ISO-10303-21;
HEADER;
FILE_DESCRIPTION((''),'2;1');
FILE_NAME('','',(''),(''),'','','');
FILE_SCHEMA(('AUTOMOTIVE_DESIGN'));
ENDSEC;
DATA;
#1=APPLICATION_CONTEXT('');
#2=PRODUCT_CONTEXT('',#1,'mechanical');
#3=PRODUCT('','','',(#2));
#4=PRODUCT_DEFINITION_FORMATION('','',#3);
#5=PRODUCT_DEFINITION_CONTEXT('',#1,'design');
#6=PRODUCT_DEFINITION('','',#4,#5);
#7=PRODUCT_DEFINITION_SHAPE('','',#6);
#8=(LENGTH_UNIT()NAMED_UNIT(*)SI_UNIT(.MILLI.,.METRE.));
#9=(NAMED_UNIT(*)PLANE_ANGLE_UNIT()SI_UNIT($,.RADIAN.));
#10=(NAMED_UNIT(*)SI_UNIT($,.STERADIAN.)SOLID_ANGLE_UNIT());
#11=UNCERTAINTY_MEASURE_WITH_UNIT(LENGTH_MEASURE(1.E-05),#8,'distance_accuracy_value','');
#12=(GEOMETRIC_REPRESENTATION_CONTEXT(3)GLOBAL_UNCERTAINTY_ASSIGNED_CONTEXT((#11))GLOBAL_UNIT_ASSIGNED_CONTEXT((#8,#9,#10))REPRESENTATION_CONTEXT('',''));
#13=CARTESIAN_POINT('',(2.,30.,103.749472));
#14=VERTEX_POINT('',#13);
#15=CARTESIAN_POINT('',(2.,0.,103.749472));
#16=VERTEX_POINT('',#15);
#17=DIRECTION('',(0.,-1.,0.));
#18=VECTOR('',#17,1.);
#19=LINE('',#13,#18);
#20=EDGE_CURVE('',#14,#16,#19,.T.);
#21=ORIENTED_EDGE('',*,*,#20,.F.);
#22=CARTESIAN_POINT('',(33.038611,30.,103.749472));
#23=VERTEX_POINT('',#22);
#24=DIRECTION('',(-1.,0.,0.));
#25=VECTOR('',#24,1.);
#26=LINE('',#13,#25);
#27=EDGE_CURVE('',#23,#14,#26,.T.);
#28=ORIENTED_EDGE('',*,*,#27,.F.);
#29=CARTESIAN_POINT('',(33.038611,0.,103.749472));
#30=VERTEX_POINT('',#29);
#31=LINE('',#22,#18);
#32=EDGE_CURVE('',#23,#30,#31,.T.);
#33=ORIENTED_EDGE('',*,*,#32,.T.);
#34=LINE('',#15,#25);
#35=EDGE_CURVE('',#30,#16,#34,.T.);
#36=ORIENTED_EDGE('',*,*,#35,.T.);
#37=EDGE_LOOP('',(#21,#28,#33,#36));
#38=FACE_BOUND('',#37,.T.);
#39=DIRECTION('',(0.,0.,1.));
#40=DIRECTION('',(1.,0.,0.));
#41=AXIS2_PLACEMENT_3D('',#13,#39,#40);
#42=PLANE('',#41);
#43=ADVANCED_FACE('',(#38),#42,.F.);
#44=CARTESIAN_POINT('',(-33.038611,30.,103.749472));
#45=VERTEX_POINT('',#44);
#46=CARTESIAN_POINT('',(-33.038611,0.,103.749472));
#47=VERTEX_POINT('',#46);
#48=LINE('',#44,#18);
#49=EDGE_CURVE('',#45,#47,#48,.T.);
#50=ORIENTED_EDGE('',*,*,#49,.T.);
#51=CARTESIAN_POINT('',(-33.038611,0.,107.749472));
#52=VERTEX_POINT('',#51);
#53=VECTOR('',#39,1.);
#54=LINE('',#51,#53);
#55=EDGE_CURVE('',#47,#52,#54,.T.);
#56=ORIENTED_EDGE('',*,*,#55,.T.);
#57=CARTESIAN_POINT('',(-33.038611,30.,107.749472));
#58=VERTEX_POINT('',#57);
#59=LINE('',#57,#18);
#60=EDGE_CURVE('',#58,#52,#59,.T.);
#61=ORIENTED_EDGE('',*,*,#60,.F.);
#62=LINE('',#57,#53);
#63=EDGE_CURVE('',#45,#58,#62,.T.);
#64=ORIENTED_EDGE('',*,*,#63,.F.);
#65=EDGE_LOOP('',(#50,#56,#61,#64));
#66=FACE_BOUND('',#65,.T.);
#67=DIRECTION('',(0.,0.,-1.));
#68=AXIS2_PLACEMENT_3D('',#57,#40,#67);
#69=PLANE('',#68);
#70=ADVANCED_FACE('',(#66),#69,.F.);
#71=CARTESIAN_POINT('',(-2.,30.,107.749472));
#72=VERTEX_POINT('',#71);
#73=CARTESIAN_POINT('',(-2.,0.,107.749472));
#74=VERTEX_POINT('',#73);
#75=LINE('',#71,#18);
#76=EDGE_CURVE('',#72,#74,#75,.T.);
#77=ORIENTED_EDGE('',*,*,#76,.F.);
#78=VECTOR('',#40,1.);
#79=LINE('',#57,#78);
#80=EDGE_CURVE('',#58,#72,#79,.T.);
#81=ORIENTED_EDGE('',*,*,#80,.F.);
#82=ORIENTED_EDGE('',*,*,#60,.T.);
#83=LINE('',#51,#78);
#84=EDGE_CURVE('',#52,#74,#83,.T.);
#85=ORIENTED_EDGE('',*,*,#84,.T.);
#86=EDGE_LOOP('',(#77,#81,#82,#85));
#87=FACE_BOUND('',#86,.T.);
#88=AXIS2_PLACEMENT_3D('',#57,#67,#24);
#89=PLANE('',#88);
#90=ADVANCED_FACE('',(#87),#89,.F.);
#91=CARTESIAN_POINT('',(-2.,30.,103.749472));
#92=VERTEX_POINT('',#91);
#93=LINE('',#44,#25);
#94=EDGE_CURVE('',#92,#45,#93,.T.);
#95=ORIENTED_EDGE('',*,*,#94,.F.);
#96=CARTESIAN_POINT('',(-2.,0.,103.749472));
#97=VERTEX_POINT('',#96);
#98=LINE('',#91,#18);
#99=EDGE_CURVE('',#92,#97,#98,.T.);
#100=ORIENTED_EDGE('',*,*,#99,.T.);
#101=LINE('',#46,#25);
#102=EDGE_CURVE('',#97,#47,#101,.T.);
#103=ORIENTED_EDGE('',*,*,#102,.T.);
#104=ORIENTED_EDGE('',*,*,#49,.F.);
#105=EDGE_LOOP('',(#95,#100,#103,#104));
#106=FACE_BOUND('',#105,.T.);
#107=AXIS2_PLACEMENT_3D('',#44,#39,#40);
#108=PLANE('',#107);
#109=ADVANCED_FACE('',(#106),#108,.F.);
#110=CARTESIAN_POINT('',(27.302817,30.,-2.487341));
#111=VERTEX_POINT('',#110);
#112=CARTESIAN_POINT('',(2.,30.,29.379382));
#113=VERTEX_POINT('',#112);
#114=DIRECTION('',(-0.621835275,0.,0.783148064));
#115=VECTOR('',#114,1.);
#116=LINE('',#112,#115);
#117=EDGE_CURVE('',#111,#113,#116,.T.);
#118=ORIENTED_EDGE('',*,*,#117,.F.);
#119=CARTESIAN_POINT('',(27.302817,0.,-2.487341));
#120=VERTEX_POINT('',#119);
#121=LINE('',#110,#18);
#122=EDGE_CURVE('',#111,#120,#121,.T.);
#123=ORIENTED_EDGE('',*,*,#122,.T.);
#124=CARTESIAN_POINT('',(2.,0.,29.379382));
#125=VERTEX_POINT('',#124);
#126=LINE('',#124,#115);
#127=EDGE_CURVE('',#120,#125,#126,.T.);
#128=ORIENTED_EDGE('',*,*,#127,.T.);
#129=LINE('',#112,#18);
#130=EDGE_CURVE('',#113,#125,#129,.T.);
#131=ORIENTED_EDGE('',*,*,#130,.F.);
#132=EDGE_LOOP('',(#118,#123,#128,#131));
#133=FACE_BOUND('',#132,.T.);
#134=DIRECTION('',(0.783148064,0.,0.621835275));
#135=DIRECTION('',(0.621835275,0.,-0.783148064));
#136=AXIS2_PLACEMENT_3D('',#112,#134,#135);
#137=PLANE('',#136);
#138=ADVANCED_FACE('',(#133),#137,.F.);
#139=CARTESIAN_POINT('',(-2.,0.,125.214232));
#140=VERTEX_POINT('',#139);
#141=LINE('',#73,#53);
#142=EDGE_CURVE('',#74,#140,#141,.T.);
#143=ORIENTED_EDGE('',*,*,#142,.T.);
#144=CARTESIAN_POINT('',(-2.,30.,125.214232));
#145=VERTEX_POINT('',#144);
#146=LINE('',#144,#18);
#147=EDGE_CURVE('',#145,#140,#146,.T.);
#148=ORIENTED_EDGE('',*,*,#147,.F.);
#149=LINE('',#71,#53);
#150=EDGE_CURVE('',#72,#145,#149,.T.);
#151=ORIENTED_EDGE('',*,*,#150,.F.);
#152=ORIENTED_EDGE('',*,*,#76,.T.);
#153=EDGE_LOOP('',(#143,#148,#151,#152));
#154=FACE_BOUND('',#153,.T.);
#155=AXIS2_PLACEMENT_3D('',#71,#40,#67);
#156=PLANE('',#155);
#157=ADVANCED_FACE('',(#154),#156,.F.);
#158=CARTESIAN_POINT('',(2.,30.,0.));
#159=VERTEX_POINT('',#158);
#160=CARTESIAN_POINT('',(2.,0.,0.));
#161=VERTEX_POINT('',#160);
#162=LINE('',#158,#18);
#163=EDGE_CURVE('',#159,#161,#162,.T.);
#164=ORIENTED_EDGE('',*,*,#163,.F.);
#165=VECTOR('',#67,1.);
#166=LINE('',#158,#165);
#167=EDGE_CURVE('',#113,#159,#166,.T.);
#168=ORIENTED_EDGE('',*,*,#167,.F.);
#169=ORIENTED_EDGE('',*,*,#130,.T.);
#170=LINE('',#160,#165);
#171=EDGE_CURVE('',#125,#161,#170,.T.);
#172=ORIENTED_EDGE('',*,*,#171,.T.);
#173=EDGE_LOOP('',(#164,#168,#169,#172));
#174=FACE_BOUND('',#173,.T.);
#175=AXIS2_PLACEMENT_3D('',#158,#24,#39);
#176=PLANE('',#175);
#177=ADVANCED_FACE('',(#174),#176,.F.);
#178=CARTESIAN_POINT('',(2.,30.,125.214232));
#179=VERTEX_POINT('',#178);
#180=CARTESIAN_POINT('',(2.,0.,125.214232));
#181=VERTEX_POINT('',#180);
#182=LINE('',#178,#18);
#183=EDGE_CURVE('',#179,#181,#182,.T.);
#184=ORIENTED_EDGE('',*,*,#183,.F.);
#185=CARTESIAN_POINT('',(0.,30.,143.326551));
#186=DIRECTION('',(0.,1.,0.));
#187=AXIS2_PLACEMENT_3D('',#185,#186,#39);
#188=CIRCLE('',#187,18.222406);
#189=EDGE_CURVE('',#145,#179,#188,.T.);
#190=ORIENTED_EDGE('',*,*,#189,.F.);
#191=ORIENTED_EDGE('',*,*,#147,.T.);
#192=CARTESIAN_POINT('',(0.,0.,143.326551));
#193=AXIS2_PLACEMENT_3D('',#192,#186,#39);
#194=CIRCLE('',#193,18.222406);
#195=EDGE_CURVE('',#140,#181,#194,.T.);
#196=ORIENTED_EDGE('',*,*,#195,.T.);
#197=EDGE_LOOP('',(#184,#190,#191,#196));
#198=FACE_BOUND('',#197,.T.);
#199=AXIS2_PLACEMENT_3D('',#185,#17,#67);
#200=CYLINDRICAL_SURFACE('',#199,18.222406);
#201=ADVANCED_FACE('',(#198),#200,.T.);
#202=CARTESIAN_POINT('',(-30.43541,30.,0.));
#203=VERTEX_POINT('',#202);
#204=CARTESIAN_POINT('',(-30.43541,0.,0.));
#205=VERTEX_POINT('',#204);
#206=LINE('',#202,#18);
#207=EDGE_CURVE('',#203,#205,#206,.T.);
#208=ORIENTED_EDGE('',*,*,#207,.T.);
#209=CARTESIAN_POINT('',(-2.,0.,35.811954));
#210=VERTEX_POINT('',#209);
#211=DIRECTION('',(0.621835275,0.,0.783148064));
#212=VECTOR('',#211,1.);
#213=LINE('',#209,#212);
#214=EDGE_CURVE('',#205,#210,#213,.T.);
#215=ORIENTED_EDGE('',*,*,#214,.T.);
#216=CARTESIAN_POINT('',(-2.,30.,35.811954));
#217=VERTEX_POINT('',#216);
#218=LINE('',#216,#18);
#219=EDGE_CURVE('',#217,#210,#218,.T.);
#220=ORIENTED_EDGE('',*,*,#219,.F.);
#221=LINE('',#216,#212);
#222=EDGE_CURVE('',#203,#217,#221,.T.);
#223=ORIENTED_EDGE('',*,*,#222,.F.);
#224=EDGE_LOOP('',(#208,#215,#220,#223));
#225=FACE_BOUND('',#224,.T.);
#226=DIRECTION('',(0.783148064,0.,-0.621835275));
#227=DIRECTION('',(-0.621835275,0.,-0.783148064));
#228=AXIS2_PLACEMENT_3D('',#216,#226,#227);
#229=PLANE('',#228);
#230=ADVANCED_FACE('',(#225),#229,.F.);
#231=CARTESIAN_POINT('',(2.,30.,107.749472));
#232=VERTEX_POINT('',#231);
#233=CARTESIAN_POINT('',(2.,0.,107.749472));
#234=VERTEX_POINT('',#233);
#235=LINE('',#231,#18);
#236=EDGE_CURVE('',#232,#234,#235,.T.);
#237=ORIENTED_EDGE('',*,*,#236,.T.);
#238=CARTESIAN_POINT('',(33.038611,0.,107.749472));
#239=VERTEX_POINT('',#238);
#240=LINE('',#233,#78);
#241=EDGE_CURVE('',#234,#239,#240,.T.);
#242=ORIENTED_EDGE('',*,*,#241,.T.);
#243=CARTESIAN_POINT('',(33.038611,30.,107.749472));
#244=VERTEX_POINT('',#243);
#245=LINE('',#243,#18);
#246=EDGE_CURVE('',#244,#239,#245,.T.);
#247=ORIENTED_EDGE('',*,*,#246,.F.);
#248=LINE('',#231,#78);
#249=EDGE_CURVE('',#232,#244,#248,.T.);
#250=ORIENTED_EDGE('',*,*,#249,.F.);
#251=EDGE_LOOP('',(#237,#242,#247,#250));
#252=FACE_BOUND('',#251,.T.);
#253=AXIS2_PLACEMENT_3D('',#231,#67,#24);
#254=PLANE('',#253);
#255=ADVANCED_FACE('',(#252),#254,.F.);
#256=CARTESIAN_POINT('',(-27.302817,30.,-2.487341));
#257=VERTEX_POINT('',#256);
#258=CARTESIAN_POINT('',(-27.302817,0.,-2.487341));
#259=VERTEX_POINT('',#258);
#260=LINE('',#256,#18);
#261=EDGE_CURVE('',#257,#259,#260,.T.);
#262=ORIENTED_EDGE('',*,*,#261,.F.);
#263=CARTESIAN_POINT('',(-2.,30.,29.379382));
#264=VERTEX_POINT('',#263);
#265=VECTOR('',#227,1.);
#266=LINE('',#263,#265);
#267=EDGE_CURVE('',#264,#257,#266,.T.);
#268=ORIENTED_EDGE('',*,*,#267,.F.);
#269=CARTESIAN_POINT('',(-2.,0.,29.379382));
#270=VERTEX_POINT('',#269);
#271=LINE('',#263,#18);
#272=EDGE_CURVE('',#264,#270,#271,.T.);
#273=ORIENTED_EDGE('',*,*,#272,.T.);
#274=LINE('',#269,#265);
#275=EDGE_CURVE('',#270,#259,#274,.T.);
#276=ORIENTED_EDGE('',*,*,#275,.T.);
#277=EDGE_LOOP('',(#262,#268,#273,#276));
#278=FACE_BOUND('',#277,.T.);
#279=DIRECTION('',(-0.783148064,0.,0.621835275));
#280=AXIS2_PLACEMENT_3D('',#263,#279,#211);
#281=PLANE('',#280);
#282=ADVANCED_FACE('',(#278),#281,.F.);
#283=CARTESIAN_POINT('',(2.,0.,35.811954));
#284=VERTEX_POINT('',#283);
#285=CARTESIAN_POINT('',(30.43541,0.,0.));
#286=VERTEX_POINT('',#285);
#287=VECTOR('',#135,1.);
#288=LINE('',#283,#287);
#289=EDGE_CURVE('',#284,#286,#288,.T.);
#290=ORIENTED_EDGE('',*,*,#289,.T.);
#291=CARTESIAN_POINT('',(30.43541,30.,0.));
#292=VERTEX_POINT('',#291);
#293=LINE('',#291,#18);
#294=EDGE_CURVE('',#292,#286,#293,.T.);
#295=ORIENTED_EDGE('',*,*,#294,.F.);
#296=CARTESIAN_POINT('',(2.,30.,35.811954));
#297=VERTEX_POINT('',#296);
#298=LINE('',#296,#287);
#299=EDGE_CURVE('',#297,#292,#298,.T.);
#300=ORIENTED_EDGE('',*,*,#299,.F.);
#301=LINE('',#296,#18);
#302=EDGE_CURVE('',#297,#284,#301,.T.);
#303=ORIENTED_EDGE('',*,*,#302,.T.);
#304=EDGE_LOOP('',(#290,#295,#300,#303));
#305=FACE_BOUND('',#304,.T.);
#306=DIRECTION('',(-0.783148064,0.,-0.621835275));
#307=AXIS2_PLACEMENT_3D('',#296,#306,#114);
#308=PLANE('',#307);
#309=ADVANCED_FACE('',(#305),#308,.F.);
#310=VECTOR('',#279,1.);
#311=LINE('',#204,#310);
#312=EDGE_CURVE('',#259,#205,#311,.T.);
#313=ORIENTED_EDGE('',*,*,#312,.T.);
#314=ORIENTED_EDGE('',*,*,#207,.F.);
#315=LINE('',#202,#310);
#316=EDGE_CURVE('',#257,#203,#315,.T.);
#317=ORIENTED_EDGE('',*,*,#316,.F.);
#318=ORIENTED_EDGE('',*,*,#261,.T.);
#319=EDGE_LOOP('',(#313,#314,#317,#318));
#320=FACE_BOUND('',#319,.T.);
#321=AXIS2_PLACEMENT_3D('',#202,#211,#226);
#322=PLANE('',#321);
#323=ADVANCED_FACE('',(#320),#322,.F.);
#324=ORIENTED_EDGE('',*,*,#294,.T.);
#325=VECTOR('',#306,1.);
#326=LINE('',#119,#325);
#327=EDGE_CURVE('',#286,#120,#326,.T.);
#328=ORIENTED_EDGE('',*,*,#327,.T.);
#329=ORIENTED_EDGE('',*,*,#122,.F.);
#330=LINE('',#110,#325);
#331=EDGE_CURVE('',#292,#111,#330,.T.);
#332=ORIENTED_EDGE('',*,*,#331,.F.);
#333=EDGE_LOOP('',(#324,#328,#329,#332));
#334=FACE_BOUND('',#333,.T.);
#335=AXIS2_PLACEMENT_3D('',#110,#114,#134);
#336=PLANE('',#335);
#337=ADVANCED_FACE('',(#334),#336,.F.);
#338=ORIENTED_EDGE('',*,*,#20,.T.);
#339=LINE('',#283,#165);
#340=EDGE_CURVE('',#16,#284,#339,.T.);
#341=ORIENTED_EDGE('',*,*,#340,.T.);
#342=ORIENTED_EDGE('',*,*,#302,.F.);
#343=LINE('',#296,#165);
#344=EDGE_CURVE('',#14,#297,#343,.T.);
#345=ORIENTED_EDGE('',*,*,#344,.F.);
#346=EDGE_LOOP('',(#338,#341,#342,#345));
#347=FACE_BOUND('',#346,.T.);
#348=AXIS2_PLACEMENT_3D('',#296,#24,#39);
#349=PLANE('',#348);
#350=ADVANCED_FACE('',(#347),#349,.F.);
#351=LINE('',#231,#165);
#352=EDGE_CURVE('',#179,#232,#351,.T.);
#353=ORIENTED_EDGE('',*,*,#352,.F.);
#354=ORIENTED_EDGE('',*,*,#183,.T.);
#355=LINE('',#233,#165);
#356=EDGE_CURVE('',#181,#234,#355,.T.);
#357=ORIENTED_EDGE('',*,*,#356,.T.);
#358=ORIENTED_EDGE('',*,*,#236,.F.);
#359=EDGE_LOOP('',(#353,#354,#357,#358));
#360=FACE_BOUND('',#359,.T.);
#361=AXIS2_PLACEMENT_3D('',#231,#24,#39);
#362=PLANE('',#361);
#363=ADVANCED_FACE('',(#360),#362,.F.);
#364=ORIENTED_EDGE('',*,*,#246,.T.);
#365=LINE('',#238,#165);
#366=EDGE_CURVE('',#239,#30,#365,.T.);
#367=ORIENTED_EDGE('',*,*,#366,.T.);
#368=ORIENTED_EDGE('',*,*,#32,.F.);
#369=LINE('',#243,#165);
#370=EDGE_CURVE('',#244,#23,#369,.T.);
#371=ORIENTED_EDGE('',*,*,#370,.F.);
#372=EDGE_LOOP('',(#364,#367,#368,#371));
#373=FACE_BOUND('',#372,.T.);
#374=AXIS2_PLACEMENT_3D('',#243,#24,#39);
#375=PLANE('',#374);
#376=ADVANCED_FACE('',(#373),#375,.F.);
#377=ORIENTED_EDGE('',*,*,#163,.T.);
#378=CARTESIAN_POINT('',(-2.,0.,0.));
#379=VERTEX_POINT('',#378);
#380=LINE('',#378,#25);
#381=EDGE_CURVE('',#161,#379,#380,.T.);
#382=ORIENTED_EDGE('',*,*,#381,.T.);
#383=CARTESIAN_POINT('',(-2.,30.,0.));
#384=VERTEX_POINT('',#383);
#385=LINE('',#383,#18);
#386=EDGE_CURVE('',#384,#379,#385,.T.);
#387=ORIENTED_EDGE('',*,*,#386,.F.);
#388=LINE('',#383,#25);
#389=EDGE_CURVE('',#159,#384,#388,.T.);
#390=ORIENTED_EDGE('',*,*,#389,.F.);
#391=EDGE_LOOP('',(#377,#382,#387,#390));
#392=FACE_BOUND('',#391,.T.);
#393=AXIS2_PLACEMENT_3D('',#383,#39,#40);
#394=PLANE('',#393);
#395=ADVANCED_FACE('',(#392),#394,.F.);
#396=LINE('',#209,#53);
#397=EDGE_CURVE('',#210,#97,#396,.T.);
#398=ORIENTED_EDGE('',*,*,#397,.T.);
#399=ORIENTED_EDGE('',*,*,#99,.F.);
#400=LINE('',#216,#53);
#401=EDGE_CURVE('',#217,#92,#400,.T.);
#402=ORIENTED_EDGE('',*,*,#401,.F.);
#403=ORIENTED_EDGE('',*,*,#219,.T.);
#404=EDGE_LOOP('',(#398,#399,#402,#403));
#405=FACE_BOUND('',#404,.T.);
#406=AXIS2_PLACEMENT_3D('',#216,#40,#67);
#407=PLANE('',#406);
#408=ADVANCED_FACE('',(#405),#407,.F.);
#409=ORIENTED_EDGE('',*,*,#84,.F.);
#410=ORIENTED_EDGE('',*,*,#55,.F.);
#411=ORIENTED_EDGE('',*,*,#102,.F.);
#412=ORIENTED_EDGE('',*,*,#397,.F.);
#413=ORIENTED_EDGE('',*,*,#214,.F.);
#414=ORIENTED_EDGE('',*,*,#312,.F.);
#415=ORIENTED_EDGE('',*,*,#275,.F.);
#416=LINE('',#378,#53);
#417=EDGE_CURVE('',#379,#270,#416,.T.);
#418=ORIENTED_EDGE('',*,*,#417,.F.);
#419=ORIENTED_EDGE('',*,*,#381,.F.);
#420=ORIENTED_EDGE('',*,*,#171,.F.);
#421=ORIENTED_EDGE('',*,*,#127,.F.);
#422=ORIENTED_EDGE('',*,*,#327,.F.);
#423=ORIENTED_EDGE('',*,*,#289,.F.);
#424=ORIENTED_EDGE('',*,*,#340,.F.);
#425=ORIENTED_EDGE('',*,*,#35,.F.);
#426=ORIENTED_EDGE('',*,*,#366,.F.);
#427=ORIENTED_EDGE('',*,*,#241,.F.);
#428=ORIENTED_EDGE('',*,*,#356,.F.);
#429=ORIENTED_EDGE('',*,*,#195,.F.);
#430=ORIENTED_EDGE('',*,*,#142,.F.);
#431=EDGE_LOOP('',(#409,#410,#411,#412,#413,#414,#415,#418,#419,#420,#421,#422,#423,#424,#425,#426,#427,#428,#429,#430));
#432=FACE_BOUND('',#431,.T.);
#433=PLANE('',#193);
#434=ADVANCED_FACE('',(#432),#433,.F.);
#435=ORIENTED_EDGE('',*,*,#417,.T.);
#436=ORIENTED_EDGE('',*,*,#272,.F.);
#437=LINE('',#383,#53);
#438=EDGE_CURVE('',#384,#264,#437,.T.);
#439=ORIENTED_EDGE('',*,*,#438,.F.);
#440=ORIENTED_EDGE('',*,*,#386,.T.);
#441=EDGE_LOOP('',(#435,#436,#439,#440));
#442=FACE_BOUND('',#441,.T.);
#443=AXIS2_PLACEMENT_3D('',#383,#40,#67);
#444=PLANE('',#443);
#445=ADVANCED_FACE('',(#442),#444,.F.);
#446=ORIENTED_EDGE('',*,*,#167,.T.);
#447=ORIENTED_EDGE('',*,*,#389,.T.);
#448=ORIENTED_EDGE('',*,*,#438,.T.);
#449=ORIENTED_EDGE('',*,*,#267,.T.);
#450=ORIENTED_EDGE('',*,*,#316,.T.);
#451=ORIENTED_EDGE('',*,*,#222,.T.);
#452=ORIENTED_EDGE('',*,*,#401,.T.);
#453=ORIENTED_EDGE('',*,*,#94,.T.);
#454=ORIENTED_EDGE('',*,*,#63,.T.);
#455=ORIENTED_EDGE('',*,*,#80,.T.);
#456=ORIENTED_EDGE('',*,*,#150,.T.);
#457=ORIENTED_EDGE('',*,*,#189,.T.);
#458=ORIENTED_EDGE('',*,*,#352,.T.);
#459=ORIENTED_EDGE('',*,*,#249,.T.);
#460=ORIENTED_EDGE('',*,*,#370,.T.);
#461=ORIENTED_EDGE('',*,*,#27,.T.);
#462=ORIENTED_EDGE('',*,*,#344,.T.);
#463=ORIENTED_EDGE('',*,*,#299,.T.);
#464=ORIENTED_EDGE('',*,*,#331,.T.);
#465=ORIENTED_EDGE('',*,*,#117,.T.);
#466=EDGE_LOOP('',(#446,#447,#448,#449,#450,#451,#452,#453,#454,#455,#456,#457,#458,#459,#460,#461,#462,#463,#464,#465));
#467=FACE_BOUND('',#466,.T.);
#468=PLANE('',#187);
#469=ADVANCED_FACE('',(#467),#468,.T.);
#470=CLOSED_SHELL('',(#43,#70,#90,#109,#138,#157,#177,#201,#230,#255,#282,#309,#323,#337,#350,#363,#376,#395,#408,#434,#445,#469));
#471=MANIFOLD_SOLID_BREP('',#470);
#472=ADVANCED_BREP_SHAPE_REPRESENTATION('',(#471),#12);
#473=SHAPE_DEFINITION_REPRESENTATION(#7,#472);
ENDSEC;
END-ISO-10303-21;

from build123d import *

# Parameters (mm, degrees)
BOSS_EXTRUDE1_DEPTH = 30


with BuildPart() as part:
    # Sketch1 → Boss-Extrude1 (new body)
    with BuildSketch(Plane(origin=(0, 0, 0), x_dir=(1, 0, 0), z_dir=(0, 1, 0))):
        with BuildLine():
            Line((2, -107.749471884), (33.038610535, -107.749471884))
            Line((33.038610535, -107.749471884), (33.038610535, -103.749471884))
            Line((33.038610535, -103.749471884), (2, -103.749471884))
            Line((2, -103.749471884), (2, -35.811953605))
            Line((2, -35.811953605), (30.435409652, 0))
            Line((30.435409652, 0), (27.302817395, 2.487341101))
            Line((27.302817395, 2.487341101), (2, -29.379381894))
            Line((2, -29.379381894), (2, 0))
            Line((2, 0), (-2, 0))
            Line((-2, 0), (-2, -29.379381894))
            Line((-2, -29.379381894), (-27.302817395, 2.487341101))
            Line((-27.302817395, 2.487341101), (-30.435409652, 0))
            Line((-30.435409652, 0), (-2, -35.811953605))
            Line((-2, -35.811953605), (-2, -103.749471884))
            Line((-2, -103.749471884), (-33.038610535, -103.749471884))
            Line((-33.038610535, -103.749471884), (-33.038610535, -107.749471884))
            Line((-33.038610535, -107.749471884), (-2, -107.749471884))
            Line((-2, -107.749471884), (-2, -125.214231971))
            ThreePointArc((-2, -125.214231971), (0, -161.548956818), (2, -125.214231971))
            Line((2, -125.214231971), (2, -107.749471884))
        make_face()
    extrude(amount=BOSS_EXTRUDE1_DEPTH)


solid = part.part
